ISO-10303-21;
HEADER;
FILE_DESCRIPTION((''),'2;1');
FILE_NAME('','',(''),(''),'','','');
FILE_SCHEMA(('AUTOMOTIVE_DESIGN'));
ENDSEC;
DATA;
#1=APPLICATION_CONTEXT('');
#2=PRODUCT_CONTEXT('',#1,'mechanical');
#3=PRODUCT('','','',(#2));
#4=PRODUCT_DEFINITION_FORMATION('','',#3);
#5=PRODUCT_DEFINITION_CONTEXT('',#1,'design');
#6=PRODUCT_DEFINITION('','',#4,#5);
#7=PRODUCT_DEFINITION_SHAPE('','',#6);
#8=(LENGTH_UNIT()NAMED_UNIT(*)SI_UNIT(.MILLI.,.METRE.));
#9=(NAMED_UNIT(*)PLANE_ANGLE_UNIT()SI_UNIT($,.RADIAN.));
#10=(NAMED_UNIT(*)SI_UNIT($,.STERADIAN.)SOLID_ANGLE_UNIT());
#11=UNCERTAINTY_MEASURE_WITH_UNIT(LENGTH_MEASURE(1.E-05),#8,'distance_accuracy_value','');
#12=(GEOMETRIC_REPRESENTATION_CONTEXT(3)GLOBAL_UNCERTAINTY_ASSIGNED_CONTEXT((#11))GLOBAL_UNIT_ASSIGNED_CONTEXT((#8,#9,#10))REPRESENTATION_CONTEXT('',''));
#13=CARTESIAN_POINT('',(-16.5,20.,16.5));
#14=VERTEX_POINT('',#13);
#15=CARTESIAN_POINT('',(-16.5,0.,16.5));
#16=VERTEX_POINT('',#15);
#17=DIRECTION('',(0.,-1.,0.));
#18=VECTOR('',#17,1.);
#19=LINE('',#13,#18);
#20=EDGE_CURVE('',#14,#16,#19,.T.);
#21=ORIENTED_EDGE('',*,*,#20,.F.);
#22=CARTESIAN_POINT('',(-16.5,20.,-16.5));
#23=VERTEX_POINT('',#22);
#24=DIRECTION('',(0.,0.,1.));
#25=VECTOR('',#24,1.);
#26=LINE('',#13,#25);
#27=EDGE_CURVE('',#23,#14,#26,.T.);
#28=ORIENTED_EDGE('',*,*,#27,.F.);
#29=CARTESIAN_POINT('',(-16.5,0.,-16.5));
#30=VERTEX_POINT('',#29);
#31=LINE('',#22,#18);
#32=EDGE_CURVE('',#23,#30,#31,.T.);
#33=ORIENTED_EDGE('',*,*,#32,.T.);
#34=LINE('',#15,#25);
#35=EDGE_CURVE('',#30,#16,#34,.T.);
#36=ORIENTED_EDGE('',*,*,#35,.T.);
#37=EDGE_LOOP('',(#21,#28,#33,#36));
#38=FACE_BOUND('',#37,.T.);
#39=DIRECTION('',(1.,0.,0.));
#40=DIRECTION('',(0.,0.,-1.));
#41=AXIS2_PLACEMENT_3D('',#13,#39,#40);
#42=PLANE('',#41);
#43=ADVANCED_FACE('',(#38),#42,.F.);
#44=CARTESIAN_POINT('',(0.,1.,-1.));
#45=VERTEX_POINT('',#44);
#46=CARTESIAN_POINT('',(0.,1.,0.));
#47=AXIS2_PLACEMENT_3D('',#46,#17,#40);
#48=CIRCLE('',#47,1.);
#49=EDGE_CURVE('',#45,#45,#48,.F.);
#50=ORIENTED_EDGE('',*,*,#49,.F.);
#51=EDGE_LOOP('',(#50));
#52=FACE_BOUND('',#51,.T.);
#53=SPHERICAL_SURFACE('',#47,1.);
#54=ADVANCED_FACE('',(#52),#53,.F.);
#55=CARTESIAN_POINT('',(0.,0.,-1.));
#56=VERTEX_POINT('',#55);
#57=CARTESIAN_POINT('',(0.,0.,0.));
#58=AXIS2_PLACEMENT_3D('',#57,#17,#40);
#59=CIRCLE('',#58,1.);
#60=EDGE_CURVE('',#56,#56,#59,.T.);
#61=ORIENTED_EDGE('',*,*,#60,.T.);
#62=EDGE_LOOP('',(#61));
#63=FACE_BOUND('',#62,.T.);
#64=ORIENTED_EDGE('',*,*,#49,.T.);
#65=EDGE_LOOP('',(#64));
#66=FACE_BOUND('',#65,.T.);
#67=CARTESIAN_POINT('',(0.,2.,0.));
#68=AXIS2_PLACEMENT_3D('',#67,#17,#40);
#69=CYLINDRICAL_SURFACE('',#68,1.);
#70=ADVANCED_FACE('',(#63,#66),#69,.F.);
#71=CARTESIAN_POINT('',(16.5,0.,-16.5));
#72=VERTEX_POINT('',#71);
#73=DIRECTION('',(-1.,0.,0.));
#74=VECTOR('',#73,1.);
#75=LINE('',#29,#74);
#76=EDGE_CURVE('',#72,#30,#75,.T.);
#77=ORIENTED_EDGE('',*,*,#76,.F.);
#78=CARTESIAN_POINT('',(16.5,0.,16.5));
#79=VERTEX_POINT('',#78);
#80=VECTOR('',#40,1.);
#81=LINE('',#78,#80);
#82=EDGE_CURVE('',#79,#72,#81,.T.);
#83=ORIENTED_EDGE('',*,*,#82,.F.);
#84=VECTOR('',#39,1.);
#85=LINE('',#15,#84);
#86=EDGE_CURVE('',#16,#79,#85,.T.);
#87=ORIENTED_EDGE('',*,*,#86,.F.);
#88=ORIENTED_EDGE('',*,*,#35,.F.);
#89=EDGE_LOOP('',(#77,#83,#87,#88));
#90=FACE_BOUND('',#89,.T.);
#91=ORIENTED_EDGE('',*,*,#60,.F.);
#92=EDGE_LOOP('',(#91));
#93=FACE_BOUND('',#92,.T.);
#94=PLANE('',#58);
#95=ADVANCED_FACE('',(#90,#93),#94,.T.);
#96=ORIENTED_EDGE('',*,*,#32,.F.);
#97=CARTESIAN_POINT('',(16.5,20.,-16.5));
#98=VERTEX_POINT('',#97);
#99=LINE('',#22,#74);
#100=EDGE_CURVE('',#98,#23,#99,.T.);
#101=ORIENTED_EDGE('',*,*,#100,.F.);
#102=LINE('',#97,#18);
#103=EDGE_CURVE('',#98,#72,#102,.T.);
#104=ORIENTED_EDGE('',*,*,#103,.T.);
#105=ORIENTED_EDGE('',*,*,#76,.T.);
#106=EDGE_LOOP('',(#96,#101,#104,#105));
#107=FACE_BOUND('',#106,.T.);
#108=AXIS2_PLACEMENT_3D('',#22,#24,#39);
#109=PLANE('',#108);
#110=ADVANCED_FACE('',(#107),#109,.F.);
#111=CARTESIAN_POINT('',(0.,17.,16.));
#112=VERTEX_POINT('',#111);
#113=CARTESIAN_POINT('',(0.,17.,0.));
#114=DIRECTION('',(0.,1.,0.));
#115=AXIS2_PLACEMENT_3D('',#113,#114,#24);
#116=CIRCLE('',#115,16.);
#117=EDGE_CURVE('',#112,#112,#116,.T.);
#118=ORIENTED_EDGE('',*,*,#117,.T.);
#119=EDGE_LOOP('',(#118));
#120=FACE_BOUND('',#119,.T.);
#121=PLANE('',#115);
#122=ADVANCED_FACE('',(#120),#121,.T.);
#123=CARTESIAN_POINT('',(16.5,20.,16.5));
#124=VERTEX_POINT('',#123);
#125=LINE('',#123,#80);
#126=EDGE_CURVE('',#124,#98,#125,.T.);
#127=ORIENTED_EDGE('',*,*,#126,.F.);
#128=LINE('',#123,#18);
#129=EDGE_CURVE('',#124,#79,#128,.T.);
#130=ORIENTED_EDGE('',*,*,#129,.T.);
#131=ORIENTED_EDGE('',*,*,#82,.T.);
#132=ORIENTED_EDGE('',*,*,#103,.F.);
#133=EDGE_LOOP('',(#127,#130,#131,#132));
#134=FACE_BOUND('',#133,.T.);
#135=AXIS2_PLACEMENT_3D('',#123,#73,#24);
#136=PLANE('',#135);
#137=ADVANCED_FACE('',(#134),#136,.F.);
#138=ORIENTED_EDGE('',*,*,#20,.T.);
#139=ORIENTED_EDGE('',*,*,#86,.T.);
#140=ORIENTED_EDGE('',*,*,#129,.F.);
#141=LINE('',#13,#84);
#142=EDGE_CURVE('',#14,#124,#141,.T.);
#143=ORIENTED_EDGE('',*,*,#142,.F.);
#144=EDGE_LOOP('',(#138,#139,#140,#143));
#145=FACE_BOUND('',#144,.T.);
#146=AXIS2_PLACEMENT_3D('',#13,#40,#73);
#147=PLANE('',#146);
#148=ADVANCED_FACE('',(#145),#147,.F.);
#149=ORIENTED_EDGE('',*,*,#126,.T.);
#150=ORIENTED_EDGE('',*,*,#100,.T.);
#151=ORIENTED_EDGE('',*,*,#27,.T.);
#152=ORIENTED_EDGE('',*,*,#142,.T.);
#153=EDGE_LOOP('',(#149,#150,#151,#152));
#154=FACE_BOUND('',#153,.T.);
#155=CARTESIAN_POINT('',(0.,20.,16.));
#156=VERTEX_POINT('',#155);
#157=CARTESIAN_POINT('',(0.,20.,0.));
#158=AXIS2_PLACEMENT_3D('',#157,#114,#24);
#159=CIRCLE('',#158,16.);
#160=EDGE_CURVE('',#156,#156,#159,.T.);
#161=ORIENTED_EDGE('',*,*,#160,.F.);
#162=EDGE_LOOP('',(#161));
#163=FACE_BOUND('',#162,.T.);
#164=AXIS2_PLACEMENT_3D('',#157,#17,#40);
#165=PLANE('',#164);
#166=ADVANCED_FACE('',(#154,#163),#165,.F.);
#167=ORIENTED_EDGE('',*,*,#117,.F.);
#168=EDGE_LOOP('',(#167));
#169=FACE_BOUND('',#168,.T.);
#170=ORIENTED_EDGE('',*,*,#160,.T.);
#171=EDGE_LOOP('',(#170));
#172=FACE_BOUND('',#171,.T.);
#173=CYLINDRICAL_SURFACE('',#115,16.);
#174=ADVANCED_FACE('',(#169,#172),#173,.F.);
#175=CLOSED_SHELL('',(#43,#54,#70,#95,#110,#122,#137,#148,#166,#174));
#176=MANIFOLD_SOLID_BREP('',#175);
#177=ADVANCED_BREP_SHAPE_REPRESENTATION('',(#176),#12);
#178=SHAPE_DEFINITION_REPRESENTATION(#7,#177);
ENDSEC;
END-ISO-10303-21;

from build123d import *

# Parameters (mm, degrees)
SKETCH1_W           = 33
SKETCH1_H           = 33
BOSS_EXTRUDE1_DEPTH = 20
SKETCH2_R           = 16
CUT_EXTRUDE1_DEPTH  = 3
SKETCH3_R           = 1
CUT_EXTRUDE2_DEPTH  = 2
FILLET1_R           = 1


with BuildPart() as part:
    # Sketch1 → Boss-Extrude1 (new body)
    with BuildSketch(Plane(origin=(0, 0, 0), x_dir=(1, 0, 0), z_dir=(0, 1, 0))):
        Rectangle(SKETCH1_W, SKETCH1_H)
    extrude(amount=BOSS_EXTRUDE1_DEPTH)

    # Sketch2 → Cut-Extrude1 (cut)
    with BuildSketch(Plane(origin=(0, 20, 0), x_dir=(1, 0, 0), z_dir=(0, 1, 0))):
        Circle(SKETCH2_R)
    extrude(amount=-CUT_EXTRUDE1_DEPTH, mode=Mode.SUBTRACT)

    # Sketch3 → Cut-Extrude2 (cut)
    with BuildSketch(Plane.XZ):
        Circle(SKETCH3_R)
    extrude(amount=-CUT_EXTRUDE2_DEPTH, mode=Mode.SUBTRACT)

    # Fillet1
    fillet1_edges = [part.edges().sort_by_distance(p)[0] for p in [
        (-1, 2, 0),
    ]]
    fillet(fillet1_edges, radius=FILLET1_R)


solid = part.part
